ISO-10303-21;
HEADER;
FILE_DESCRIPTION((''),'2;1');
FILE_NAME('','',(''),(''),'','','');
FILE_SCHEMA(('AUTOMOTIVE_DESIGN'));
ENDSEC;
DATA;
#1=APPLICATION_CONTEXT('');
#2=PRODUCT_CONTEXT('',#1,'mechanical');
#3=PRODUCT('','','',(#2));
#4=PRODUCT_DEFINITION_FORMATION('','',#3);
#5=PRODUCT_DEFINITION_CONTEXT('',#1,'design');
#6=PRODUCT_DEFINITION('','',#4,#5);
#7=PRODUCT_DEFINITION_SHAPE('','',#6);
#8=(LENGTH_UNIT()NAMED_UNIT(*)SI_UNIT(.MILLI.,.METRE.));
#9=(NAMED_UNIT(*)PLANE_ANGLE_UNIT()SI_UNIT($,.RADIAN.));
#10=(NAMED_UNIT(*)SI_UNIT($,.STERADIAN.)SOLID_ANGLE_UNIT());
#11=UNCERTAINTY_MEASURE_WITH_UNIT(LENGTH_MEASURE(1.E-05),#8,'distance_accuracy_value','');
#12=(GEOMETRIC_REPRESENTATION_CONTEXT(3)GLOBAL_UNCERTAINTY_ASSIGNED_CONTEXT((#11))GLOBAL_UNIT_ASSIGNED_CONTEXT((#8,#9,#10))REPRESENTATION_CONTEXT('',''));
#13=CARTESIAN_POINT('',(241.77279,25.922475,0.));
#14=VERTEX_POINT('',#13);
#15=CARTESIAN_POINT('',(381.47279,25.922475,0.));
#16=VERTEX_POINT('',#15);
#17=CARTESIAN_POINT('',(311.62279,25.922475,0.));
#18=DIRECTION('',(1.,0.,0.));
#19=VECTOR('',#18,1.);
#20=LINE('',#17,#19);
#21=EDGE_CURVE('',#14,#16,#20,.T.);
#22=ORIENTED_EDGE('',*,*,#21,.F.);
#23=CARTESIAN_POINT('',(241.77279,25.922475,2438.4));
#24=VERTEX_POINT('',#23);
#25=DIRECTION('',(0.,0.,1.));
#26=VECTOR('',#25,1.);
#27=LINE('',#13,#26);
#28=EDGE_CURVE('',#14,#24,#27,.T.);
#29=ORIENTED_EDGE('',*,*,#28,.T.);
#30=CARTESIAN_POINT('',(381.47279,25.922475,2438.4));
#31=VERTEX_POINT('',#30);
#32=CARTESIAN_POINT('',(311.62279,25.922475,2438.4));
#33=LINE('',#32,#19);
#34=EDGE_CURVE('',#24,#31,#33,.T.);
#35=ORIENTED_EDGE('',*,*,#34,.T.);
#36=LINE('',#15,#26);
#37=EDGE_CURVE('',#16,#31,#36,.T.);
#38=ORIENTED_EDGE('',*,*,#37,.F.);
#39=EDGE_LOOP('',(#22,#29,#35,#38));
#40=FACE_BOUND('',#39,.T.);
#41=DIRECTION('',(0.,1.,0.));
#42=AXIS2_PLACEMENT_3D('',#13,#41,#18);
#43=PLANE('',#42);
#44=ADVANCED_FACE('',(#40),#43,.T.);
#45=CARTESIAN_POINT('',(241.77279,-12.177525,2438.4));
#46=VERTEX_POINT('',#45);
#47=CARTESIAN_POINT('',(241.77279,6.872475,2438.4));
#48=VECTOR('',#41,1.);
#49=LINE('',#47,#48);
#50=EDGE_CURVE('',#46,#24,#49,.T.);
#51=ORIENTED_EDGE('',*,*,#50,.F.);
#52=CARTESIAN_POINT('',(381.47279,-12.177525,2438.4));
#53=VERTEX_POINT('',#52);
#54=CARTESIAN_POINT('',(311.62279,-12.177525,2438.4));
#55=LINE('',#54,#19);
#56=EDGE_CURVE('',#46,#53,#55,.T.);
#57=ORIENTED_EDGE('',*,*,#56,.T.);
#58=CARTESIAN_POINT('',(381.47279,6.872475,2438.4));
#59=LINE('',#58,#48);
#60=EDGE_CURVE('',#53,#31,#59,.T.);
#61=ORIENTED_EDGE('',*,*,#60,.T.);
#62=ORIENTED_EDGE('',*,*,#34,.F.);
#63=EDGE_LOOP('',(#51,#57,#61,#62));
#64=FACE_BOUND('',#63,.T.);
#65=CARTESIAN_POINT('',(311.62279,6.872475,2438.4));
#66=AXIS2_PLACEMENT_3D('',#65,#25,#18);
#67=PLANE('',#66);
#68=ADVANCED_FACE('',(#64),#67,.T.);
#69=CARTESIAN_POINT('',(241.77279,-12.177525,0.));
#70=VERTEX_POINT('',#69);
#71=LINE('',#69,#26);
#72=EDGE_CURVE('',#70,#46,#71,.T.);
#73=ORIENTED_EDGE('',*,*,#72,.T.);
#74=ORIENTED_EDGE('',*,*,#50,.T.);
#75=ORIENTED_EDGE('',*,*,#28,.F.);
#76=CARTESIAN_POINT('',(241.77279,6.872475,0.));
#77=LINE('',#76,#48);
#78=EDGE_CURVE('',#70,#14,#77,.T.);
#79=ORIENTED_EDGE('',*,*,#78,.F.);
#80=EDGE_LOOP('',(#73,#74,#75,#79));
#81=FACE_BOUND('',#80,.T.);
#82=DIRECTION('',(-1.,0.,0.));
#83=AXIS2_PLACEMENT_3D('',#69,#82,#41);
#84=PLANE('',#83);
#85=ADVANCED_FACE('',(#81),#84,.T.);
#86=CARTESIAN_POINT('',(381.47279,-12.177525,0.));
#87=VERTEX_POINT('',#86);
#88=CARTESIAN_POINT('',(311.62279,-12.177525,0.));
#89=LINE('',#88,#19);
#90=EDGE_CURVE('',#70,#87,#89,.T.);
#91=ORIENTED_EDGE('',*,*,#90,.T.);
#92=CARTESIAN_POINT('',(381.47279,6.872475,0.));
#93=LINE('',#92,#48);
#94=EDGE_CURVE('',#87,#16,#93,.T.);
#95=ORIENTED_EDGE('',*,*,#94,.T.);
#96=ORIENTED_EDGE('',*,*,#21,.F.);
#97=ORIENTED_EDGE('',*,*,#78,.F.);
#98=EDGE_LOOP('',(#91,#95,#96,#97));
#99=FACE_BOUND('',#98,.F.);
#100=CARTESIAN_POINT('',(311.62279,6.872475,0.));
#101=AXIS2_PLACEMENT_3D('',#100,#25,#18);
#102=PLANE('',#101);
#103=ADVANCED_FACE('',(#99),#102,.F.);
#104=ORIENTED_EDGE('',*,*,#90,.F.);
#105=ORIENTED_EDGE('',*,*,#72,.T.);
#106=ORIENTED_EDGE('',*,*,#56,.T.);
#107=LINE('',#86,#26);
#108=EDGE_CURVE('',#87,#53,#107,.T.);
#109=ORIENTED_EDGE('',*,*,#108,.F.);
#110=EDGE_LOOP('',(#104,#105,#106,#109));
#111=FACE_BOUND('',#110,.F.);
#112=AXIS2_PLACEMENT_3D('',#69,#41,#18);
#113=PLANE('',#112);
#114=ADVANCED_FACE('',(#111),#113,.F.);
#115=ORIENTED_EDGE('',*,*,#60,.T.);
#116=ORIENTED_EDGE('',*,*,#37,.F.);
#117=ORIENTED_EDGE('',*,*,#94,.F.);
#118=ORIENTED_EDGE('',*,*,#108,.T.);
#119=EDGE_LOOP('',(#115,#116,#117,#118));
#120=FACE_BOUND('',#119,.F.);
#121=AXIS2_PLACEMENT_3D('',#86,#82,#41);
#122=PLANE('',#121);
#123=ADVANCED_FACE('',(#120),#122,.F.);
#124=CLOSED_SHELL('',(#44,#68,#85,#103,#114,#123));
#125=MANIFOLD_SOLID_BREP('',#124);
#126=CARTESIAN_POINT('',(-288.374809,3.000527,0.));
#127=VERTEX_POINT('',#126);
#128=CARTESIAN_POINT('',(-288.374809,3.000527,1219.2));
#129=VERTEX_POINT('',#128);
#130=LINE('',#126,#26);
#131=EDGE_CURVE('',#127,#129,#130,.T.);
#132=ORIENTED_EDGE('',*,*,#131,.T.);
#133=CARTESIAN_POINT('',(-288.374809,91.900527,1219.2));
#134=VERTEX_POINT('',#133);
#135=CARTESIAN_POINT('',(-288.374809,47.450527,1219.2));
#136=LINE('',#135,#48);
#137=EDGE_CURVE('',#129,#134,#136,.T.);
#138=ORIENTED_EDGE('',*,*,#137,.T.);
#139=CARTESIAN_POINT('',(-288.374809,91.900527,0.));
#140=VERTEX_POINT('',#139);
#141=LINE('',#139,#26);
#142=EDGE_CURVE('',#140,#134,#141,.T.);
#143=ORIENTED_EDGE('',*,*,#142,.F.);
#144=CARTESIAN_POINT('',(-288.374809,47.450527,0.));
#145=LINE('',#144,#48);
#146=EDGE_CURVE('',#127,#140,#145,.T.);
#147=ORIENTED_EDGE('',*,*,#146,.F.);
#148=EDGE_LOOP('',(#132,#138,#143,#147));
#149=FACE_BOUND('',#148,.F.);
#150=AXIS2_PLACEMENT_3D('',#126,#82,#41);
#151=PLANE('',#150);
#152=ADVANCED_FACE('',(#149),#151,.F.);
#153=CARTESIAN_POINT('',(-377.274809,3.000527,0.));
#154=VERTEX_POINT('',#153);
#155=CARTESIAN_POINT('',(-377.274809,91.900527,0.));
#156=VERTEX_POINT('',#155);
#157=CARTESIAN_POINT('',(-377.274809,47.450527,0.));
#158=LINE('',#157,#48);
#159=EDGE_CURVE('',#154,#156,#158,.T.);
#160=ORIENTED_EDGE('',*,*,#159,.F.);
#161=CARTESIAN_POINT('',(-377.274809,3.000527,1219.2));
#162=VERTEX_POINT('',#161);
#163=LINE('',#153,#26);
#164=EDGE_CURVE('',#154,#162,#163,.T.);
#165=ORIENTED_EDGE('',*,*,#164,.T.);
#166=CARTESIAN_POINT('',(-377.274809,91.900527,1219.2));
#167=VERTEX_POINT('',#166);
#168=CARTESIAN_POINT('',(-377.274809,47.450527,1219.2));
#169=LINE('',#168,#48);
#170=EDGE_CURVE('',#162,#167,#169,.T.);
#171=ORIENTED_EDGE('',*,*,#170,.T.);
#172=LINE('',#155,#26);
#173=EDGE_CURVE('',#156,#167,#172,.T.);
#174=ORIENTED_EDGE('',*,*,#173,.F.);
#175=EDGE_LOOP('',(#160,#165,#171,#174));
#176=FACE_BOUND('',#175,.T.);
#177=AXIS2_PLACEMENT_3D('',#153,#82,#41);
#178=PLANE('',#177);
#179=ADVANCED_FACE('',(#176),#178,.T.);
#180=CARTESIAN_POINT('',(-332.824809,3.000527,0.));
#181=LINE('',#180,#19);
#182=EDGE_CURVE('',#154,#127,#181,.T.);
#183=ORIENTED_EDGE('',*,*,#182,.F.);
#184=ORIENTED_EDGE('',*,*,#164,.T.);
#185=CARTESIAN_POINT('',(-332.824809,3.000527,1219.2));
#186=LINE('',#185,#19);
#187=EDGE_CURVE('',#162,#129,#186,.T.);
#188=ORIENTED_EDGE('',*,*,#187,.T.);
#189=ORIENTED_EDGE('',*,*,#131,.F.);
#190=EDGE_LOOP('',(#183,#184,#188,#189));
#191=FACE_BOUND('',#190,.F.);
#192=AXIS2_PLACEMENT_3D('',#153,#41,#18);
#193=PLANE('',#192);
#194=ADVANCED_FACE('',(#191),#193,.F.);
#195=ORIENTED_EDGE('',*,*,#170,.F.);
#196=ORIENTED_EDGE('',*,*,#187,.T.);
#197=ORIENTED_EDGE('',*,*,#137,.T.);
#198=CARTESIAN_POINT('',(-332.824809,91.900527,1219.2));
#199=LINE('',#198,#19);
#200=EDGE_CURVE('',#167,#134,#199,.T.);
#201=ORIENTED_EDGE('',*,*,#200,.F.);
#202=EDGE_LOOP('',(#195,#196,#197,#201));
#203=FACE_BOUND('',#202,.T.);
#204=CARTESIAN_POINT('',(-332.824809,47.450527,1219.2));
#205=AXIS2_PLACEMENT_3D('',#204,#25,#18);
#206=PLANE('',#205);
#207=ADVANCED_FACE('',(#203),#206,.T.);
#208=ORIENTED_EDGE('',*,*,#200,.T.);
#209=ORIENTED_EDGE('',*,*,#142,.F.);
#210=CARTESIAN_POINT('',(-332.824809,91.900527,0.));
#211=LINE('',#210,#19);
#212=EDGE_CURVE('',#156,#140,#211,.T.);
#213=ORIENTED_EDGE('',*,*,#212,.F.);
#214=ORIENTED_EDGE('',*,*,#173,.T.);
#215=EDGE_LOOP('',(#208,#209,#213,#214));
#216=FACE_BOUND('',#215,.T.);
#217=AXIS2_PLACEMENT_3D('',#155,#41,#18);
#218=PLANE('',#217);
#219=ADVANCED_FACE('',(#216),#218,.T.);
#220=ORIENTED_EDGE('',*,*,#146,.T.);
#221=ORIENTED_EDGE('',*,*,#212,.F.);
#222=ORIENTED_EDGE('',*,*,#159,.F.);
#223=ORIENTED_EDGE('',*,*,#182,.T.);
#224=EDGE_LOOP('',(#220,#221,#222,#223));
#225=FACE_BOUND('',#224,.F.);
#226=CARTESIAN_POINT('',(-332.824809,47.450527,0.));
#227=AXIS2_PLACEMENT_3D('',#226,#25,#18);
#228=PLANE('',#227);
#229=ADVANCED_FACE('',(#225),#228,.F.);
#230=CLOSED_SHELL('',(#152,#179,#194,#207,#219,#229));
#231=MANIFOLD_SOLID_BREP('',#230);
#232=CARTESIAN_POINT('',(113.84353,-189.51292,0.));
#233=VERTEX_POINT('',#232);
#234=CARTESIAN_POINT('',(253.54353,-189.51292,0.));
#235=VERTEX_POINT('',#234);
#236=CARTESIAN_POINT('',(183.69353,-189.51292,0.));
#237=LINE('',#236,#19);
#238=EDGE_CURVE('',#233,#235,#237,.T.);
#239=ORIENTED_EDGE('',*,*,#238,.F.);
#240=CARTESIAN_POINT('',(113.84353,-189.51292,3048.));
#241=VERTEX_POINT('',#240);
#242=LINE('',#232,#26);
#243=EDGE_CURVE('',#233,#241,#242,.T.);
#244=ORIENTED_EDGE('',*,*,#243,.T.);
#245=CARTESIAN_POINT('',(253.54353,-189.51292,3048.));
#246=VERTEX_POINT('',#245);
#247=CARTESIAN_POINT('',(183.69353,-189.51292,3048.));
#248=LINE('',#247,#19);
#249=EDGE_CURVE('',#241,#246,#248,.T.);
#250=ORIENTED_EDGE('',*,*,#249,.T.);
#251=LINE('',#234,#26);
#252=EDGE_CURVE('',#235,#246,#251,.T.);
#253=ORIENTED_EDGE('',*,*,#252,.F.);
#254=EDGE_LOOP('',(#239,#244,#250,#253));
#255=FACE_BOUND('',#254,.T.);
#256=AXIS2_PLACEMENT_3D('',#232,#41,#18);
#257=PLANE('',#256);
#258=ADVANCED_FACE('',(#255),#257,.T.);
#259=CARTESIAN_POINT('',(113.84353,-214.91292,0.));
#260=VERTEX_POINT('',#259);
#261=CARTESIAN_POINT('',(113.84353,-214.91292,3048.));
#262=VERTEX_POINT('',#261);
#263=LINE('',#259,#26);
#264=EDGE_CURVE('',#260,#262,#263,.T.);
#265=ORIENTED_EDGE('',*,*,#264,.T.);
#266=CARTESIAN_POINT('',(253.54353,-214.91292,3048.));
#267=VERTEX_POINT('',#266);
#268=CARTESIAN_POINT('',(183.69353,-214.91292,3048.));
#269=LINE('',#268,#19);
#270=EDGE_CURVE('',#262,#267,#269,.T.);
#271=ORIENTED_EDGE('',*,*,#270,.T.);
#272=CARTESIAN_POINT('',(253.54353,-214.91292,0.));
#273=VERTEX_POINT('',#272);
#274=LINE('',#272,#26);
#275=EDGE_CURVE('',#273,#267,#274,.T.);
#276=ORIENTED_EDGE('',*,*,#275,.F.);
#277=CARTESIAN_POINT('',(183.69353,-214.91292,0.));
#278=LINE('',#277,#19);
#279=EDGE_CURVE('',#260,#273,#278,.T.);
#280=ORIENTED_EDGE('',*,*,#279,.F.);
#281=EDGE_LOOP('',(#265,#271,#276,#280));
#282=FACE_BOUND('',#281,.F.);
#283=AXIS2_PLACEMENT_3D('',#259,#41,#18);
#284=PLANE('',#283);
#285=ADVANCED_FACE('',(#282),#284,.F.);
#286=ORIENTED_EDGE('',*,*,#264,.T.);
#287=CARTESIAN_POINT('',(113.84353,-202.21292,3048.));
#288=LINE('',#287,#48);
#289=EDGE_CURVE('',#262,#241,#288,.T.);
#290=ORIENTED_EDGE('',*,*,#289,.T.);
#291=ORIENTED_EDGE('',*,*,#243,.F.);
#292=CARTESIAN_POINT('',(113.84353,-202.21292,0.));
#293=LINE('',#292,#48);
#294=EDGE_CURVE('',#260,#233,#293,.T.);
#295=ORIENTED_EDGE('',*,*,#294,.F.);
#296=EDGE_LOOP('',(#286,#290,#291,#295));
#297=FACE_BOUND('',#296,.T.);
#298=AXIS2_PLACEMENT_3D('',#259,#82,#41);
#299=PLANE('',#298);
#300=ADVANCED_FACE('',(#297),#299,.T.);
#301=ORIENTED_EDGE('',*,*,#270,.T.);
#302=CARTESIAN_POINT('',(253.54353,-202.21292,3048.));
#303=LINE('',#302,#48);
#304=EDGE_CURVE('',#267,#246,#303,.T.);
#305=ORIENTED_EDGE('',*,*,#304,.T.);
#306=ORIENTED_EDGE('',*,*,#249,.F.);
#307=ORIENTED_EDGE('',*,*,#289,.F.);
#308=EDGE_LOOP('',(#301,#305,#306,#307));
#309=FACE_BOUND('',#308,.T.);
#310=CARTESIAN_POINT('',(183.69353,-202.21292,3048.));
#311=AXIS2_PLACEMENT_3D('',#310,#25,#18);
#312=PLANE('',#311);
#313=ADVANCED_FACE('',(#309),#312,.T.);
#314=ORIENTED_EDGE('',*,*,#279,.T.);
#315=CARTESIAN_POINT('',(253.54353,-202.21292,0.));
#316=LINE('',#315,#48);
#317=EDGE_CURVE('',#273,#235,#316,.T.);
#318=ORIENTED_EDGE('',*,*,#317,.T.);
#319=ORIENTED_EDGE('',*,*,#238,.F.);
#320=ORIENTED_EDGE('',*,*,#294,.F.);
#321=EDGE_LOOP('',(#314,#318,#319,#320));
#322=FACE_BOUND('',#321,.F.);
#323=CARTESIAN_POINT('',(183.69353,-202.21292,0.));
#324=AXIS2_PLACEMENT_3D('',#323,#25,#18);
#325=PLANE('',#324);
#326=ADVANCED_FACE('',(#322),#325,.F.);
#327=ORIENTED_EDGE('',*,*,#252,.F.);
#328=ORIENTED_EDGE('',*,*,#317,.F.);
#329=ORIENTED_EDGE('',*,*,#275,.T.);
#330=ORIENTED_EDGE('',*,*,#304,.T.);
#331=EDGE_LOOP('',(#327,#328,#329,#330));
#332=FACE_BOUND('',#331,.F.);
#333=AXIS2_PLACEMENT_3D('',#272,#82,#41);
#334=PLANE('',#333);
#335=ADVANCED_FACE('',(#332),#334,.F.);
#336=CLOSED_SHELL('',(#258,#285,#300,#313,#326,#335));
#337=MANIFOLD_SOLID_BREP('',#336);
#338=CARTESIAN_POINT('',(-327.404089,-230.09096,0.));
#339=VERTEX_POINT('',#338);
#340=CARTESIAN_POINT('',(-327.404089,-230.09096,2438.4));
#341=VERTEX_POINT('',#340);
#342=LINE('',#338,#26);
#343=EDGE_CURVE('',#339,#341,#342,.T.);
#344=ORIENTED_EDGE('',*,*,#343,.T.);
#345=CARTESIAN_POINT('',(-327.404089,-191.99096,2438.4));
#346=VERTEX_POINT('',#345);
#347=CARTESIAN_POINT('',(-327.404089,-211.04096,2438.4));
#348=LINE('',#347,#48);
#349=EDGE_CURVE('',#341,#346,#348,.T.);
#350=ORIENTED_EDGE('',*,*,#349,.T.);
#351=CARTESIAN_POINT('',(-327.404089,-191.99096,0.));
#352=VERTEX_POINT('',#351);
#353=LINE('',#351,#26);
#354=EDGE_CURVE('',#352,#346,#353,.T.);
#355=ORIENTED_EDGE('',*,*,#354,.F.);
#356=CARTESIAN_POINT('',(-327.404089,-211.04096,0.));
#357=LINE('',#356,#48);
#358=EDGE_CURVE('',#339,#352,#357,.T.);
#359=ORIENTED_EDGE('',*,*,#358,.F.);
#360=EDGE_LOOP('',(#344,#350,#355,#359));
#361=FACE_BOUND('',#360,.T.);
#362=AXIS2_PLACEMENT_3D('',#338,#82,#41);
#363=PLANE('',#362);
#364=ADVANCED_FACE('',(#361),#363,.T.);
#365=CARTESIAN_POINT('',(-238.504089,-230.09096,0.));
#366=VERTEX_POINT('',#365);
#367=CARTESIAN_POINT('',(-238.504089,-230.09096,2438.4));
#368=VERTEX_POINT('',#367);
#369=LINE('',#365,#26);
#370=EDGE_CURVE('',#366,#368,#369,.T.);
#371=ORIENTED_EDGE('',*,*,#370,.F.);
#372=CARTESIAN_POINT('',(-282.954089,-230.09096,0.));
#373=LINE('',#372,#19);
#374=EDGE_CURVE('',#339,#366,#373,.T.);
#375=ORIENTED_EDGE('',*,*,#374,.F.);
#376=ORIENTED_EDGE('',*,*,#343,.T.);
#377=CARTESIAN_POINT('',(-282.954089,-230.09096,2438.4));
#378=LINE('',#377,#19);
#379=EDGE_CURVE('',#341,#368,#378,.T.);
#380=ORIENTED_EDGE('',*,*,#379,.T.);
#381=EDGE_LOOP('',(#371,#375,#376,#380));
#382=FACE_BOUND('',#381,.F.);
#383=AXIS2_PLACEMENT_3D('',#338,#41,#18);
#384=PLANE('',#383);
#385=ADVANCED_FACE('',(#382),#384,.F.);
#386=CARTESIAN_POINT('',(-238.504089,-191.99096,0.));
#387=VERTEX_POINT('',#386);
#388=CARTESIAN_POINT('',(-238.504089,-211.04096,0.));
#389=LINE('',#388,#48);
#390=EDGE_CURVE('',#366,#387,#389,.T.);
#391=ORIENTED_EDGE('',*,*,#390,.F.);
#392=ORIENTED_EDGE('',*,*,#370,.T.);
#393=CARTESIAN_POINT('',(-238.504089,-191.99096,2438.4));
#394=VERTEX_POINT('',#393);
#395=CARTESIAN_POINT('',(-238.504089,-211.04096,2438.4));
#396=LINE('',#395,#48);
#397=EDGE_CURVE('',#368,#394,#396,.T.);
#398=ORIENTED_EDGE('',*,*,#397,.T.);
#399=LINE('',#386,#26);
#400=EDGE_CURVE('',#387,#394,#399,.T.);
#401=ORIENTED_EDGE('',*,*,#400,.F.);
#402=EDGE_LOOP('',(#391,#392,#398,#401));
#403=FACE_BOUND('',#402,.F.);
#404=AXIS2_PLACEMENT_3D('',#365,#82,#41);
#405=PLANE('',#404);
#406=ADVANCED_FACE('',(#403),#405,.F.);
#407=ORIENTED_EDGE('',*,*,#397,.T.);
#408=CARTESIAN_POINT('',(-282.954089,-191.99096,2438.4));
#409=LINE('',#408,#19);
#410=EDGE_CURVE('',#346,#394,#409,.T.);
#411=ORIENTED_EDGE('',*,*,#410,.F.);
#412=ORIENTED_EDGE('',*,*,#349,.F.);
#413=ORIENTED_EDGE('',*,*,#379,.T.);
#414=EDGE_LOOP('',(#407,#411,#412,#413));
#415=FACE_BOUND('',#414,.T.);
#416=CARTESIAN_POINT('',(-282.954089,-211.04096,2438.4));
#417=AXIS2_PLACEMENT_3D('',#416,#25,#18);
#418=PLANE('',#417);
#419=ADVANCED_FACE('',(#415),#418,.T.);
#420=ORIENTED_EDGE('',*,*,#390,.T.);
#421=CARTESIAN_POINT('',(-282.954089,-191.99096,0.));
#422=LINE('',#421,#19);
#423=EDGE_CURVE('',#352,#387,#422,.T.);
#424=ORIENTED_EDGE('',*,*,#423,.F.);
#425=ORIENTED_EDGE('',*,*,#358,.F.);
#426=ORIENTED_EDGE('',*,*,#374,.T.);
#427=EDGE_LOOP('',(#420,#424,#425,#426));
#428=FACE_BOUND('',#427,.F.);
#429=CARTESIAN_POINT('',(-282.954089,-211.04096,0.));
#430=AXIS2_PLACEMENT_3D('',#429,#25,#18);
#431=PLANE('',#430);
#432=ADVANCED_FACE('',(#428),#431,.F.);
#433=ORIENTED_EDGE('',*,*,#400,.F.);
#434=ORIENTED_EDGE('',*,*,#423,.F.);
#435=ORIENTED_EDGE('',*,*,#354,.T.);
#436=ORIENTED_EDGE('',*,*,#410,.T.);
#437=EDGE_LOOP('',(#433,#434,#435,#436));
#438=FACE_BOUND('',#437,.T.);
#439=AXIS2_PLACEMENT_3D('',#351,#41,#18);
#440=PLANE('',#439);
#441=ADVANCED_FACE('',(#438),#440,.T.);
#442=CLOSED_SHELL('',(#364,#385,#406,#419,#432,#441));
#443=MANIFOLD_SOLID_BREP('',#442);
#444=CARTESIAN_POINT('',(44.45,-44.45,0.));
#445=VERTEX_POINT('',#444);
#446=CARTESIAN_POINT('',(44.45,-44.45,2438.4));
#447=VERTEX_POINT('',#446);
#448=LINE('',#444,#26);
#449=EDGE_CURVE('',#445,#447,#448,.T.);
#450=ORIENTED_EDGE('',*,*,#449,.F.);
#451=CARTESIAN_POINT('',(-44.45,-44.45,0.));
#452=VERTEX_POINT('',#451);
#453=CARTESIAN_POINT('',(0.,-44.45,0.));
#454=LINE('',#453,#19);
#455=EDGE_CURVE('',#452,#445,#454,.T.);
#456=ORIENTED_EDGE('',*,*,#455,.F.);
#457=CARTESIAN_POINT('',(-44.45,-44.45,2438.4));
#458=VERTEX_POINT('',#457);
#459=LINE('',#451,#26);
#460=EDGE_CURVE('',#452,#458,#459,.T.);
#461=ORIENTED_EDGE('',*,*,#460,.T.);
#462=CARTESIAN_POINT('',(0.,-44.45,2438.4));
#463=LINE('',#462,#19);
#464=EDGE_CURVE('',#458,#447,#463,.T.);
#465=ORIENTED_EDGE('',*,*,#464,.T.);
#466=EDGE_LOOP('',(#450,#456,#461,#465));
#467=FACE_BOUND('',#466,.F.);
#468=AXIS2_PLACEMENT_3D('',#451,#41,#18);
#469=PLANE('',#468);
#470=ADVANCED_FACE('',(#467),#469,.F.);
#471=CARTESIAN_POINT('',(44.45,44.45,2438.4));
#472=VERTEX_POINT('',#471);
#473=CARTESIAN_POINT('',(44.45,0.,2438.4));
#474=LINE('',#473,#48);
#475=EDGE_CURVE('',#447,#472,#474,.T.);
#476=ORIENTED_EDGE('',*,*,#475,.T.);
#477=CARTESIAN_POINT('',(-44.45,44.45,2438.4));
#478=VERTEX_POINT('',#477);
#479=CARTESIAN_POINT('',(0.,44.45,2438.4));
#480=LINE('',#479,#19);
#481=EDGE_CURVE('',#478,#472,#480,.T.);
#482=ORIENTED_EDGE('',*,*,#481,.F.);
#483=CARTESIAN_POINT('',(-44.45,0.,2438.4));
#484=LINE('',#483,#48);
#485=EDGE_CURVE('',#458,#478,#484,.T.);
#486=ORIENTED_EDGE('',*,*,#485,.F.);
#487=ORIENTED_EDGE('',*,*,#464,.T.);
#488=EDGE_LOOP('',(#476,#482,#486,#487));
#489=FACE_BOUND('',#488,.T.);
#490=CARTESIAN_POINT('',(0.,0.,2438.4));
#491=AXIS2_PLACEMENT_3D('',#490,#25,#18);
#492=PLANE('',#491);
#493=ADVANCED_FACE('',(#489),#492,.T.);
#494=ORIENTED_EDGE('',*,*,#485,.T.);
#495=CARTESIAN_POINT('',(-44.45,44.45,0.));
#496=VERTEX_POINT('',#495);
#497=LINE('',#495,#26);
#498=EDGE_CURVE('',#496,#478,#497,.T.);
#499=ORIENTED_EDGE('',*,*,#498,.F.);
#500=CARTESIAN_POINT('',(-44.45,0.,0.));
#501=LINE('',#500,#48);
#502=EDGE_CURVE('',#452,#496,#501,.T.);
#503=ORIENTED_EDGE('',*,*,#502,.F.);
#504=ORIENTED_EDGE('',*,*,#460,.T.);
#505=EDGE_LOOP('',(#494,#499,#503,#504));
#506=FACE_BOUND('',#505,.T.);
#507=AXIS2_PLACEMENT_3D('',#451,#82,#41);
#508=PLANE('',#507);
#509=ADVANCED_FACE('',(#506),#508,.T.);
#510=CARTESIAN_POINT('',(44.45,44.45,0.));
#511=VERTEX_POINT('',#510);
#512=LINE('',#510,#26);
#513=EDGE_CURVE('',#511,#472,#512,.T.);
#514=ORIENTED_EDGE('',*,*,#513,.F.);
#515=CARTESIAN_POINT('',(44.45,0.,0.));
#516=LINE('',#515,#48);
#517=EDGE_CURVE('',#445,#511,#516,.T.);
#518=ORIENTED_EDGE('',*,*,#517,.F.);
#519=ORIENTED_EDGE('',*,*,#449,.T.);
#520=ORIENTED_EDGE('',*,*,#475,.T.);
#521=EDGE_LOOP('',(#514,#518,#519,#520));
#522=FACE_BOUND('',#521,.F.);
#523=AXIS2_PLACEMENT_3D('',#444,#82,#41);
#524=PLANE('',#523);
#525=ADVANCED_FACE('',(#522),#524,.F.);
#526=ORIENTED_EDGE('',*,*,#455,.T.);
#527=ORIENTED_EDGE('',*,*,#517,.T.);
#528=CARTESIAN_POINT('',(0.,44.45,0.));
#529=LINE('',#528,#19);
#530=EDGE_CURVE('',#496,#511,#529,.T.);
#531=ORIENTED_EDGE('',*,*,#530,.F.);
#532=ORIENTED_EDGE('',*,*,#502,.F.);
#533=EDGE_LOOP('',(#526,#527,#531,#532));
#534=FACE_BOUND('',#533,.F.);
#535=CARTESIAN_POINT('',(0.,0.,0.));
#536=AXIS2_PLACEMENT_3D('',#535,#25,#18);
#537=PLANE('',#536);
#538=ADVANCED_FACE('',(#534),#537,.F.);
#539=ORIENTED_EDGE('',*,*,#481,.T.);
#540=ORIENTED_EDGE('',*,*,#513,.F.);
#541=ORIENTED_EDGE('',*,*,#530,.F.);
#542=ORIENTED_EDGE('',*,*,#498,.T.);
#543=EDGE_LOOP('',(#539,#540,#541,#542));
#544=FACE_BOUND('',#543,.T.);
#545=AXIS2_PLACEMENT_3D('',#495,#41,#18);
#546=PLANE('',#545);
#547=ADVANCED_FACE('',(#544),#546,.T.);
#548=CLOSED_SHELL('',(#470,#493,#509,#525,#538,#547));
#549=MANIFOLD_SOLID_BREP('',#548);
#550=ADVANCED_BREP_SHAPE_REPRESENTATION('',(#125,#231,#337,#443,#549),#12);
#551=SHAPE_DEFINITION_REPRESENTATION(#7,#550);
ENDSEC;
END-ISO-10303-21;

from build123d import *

# Parameters (mm, degrees)
F0_W     = 88.9
F0_H     = 88.9
F1_DEPTH = 2438.4
F2_W     = 88.9
F2_H     = 88.9
F3_DEPTH = 1219.2
F2_H_2   = 38.1
F4_DEPTH = 2438.4
F2_W_2   = 139.7
F2_H_3   = 25.4
F5_DEPTH = 3048
F6_DEPTH = 2438.4


with BuildPart() as f1:
    # F0 (on Top) → F1 (new body)
    with BuildSketch(Plane.XY):
        Rectangle(F0_W, F0_H)
    extrude(amount=F1_DEPTH)


with BuildPart() as f3:
    # F2 (on Top) → F3 (new body)
    with BuildSketch(Plane.XY):
        with Locations((-332.824809, 47.450527)):
            Rectangle(F2_W, F2_H)
    extrude(amount=F3_DEPTH)


with BuildPart() as f4:
    # F2 (on Top) → F4 (new body)
    with BuildSketch(Plane.XY):
        with Locations((-282.954089, -211.04096)):
            Rectangle(F2_W, F2_H_2)
    extrude(amount=F4_DEPTH)


with BuildPart() as f5:
    # F2 (on Top) → F5 (new body)
    with BuildSketch(Plane.XY):
        with Locations((183.69353, -202.21292)):
            Rectangle(F2_W_2, F2_H_3)
    extrude(amount=F5_DEPTH)


with BuildPart() as f6:
    # F2 (on Top) → F6 (new body)
    with BuildSketch(Plane.XY):
        with Locations((311.62279, 6.872475)):
            Rectangle(F2_W_2, F2_H_2)
    extrude(amount=F6_DEPTH)


solid = Compound([f1.part, f3.part, f4.part, f5.part, f6.part])
